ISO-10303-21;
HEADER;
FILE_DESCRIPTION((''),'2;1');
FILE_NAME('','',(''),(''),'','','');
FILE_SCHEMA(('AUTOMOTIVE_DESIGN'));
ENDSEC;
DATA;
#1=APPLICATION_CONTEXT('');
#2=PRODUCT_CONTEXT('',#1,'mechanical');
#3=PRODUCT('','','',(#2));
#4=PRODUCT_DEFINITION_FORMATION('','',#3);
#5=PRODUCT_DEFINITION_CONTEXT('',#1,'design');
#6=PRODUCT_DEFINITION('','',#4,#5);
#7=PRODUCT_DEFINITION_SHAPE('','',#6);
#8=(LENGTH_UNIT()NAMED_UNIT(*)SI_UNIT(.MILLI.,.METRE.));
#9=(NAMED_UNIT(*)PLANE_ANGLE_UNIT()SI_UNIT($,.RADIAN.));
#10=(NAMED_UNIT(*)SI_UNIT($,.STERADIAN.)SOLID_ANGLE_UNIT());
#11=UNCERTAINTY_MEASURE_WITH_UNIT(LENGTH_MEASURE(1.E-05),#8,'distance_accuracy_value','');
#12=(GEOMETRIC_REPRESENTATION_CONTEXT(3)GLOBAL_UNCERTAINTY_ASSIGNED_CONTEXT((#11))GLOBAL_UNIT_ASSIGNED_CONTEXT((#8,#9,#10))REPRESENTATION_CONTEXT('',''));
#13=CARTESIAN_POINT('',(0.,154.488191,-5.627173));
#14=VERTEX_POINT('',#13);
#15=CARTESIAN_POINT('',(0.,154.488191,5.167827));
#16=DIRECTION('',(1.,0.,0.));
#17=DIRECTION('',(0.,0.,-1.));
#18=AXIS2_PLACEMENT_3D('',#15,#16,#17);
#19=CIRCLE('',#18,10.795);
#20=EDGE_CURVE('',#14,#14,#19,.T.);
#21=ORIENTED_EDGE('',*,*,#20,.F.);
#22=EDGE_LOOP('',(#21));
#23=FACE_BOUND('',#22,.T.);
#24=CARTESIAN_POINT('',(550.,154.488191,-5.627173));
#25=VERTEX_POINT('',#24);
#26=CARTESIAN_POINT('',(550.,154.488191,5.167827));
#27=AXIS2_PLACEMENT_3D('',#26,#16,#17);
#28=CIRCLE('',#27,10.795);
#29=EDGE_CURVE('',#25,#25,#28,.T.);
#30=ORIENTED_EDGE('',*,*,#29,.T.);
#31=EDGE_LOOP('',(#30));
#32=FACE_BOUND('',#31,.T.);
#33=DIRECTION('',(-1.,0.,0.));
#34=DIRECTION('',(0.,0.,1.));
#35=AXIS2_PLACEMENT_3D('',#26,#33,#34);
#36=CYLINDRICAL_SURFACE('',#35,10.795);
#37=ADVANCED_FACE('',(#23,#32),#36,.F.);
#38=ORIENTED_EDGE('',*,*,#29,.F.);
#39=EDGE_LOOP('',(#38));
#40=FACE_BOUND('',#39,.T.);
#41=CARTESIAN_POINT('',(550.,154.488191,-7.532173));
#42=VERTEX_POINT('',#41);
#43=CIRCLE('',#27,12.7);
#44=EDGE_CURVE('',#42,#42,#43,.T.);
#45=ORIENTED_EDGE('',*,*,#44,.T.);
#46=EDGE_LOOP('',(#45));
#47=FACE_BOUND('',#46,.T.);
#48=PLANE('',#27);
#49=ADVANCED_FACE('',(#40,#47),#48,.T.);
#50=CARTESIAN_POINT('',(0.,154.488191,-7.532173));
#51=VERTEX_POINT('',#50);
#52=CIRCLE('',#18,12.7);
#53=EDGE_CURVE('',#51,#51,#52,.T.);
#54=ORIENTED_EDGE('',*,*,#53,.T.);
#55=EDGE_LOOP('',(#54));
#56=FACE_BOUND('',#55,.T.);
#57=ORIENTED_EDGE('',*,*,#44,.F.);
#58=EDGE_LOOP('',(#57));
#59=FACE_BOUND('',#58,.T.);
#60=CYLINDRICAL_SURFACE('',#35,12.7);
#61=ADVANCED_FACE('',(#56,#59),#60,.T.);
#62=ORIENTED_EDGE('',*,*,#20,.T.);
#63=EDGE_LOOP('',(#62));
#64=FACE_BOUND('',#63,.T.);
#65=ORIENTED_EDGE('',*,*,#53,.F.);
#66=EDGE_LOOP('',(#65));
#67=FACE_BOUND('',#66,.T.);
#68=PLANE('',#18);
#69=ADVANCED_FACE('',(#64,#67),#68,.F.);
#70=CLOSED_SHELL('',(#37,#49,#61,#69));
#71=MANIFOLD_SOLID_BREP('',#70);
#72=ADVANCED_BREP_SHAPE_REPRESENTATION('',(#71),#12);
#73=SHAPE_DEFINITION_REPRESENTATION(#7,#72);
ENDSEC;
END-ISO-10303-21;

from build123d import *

# Parameters (mm, degrees)
SKETCH2_R           = 12.7
SKETCH2_R_2         = 10.795
BOSS_EXTRUDE1_DEPTH = 550


with BuildPart() as part:
    # Sketch2 → Boss-Extrude1 (new body)
    with BuildSketch(Plane(origin=(0, 0, 0), x_dir=(0, 0, -1), z_dir=(1, 0, 0))):
        with Locations((-5.167827336, 154.488190616)):
            Circle(SKETCH2_R)
        with Locations((-5.167827336, 154.488190616)):
            Circle(SKETCH2_R_2, mode=Mode.SUBTRACT)
    extrude(amount=BOSS_EXTRUDE1_DEPTH)


solid = part.part
